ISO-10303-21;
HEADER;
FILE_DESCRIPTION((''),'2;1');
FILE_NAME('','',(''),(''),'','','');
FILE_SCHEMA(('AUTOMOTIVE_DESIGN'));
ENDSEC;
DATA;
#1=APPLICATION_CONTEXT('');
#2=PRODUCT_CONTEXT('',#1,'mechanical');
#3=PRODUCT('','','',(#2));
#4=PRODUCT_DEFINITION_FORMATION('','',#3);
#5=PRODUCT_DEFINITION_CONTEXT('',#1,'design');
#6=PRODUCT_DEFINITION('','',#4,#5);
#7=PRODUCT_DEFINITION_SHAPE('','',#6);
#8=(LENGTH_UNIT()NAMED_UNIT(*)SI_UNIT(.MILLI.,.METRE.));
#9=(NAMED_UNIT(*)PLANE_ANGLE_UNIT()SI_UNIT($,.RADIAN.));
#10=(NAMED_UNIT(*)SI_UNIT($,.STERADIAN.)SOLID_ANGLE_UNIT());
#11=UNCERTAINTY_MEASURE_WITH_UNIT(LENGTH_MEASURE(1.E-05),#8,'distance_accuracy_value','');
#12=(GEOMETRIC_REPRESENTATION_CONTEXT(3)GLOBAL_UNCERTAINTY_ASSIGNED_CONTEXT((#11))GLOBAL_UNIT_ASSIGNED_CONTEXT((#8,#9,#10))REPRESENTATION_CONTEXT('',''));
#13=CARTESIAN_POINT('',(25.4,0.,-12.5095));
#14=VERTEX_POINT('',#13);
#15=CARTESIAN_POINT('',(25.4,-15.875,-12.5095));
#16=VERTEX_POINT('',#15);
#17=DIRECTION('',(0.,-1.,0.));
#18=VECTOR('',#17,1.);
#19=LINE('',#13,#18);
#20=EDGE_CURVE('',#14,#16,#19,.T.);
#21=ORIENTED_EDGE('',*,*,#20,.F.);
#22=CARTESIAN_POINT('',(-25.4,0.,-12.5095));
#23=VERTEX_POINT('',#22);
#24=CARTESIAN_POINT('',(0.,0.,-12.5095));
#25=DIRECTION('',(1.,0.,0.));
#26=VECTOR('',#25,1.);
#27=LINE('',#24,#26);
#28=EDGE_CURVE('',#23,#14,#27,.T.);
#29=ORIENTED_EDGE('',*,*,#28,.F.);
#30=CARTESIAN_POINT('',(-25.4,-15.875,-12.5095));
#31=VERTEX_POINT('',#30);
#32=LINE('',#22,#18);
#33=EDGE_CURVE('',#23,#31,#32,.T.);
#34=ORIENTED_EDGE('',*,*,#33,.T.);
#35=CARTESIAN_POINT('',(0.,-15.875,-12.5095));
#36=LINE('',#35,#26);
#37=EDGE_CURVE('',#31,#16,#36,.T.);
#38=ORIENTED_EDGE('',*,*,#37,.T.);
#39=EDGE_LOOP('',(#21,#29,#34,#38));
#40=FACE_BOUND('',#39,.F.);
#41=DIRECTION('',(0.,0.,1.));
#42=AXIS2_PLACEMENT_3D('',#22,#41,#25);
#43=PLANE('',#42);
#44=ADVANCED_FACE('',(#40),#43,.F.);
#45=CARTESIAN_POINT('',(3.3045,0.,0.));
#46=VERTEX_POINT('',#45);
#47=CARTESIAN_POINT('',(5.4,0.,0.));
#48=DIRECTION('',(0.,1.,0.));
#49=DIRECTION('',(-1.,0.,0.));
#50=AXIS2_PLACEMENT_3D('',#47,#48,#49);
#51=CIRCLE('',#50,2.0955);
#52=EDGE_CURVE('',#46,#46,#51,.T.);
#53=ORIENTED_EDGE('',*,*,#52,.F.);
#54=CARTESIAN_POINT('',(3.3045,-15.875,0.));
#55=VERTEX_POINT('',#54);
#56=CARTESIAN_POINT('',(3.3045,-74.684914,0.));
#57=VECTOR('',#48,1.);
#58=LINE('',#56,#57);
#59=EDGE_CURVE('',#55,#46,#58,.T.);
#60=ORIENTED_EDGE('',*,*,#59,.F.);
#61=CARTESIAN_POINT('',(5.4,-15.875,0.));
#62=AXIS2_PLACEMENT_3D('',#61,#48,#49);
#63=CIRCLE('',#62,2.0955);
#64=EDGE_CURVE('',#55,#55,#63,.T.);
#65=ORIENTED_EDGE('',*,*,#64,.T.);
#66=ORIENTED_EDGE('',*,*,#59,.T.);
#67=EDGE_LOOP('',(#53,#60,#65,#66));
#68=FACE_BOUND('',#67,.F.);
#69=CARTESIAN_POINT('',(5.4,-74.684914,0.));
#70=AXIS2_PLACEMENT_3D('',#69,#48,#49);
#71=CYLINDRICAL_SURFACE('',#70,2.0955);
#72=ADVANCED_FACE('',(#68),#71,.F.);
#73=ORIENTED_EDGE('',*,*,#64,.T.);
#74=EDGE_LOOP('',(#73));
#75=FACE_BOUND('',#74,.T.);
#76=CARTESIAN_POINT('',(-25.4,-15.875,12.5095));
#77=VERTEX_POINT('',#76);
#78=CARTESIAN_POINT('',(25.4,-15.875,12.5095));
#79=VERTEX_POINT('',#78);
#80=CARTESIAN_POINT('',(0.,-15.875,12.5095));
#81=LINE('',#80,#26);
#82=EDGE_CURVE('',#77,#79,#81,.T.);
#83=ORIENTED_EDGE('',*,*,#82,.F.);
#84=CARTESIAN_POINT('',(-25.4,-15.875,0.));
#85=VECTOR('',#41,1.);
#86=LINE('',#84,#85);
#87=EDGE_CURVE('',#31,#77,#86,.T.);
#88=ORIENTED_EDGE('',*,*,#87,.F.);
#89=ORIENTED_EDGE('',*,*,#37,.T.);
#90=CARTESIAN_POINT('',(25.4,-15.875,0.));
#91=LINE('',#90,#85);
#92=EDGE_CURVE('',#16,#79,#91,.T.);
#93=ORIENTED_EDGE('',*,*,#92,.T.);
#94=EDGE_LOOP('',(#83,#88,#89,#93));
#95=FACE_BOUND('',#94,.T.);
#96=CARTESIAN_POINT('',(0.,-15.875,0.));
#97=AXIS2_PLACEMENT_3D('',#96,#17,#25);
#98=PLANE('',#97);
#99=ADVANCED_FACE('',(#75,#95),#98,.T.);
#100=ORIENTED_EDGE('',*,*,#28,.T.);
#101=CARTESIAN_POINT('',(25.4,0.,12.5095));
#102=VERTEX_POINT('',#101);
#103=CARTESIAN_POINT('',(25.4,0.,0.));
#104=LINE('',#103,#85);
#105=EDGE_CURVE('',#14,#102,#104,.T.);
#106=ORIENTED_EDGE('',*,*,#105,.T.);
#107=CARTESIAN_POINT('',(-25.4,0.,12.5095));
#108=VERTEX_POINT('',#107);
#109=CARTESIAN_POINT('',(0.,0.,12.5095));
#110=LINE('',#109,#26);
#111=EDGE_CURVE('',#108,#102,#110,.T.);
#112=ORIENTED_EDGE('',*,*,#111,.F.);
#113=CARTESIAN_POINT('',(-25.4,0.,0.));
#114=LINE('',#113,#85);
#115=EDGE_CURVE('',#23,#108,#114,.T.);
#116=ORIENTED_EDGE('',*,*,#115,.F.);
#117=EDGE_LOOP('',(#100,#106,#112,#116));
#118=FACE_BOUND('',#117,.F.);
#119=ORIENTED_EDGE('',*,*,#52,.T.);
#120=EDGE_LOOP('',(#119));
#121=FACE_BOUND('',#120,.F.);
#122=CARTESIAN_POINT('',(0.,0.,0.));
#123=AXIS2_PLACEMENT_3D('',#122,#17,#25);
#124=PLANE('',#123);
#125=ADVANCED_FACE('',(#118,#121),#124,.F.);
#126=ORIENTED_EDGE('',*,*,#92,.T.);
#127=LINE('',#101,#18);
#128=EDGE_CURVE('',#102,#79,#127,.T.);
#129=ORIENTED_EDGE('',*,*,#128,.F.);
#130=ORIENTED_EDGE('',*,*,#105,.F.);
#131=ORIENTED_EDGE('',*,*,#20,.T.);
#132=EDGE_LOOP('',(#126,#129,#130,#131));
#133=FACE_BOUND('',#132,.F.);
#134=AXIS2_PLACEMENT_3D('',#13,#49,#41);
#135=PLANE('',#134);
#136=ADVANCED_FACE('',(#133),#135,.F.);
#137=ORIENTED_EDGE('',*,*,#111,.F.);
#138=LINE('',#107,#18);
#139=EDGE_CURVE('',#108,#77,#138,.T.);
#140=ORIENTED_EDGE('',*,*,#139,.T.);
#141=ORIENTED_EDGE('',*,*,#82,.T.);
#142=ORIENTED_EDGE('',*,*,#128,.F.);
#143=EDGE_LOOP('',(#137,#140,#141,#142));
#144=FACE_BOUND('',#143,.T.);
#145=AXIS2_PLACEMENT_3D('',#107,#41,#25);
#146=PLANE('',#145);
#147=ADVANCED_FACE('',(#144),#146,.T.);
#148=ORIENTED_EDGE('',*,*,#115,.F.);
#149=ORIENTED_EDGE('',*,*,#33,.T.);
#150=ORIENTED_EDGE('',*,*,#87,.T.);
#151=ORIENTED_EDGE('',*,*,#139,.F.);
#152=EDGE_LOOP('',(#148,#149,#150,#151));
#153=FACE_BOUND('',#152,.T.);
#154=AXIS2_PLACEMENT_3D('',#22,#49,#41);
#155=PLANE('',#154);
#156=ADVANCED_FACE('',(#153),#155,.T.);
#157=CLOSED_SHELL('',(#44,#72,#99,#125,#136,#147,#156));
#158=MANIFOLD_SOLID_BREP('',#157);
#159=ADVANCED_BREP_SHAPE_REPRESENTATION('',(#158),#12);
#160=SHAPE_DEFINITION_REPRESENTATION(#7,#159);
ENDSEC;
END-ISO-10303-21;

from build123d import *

# Parameters (mm, degrees)
F0_W     = 50.8
F0_H     = 25.019
F1_DEPTH = 15.875
F3_D     = 4.191


with BuildPart() as f1:
    # F0 (on Front) → F1 (new body)
    with BuildSketch(Plane.XZ):
        Rectangle(F0_W, F0_H)
    extrude(amount=F1_DEPTH)

    # F3 (through all)
    with Locations(Plane.XZ.offset(15.875)):
        with Locations((5.4, 0)):
            Hole(F3_D / 2)


solid = f1.part
